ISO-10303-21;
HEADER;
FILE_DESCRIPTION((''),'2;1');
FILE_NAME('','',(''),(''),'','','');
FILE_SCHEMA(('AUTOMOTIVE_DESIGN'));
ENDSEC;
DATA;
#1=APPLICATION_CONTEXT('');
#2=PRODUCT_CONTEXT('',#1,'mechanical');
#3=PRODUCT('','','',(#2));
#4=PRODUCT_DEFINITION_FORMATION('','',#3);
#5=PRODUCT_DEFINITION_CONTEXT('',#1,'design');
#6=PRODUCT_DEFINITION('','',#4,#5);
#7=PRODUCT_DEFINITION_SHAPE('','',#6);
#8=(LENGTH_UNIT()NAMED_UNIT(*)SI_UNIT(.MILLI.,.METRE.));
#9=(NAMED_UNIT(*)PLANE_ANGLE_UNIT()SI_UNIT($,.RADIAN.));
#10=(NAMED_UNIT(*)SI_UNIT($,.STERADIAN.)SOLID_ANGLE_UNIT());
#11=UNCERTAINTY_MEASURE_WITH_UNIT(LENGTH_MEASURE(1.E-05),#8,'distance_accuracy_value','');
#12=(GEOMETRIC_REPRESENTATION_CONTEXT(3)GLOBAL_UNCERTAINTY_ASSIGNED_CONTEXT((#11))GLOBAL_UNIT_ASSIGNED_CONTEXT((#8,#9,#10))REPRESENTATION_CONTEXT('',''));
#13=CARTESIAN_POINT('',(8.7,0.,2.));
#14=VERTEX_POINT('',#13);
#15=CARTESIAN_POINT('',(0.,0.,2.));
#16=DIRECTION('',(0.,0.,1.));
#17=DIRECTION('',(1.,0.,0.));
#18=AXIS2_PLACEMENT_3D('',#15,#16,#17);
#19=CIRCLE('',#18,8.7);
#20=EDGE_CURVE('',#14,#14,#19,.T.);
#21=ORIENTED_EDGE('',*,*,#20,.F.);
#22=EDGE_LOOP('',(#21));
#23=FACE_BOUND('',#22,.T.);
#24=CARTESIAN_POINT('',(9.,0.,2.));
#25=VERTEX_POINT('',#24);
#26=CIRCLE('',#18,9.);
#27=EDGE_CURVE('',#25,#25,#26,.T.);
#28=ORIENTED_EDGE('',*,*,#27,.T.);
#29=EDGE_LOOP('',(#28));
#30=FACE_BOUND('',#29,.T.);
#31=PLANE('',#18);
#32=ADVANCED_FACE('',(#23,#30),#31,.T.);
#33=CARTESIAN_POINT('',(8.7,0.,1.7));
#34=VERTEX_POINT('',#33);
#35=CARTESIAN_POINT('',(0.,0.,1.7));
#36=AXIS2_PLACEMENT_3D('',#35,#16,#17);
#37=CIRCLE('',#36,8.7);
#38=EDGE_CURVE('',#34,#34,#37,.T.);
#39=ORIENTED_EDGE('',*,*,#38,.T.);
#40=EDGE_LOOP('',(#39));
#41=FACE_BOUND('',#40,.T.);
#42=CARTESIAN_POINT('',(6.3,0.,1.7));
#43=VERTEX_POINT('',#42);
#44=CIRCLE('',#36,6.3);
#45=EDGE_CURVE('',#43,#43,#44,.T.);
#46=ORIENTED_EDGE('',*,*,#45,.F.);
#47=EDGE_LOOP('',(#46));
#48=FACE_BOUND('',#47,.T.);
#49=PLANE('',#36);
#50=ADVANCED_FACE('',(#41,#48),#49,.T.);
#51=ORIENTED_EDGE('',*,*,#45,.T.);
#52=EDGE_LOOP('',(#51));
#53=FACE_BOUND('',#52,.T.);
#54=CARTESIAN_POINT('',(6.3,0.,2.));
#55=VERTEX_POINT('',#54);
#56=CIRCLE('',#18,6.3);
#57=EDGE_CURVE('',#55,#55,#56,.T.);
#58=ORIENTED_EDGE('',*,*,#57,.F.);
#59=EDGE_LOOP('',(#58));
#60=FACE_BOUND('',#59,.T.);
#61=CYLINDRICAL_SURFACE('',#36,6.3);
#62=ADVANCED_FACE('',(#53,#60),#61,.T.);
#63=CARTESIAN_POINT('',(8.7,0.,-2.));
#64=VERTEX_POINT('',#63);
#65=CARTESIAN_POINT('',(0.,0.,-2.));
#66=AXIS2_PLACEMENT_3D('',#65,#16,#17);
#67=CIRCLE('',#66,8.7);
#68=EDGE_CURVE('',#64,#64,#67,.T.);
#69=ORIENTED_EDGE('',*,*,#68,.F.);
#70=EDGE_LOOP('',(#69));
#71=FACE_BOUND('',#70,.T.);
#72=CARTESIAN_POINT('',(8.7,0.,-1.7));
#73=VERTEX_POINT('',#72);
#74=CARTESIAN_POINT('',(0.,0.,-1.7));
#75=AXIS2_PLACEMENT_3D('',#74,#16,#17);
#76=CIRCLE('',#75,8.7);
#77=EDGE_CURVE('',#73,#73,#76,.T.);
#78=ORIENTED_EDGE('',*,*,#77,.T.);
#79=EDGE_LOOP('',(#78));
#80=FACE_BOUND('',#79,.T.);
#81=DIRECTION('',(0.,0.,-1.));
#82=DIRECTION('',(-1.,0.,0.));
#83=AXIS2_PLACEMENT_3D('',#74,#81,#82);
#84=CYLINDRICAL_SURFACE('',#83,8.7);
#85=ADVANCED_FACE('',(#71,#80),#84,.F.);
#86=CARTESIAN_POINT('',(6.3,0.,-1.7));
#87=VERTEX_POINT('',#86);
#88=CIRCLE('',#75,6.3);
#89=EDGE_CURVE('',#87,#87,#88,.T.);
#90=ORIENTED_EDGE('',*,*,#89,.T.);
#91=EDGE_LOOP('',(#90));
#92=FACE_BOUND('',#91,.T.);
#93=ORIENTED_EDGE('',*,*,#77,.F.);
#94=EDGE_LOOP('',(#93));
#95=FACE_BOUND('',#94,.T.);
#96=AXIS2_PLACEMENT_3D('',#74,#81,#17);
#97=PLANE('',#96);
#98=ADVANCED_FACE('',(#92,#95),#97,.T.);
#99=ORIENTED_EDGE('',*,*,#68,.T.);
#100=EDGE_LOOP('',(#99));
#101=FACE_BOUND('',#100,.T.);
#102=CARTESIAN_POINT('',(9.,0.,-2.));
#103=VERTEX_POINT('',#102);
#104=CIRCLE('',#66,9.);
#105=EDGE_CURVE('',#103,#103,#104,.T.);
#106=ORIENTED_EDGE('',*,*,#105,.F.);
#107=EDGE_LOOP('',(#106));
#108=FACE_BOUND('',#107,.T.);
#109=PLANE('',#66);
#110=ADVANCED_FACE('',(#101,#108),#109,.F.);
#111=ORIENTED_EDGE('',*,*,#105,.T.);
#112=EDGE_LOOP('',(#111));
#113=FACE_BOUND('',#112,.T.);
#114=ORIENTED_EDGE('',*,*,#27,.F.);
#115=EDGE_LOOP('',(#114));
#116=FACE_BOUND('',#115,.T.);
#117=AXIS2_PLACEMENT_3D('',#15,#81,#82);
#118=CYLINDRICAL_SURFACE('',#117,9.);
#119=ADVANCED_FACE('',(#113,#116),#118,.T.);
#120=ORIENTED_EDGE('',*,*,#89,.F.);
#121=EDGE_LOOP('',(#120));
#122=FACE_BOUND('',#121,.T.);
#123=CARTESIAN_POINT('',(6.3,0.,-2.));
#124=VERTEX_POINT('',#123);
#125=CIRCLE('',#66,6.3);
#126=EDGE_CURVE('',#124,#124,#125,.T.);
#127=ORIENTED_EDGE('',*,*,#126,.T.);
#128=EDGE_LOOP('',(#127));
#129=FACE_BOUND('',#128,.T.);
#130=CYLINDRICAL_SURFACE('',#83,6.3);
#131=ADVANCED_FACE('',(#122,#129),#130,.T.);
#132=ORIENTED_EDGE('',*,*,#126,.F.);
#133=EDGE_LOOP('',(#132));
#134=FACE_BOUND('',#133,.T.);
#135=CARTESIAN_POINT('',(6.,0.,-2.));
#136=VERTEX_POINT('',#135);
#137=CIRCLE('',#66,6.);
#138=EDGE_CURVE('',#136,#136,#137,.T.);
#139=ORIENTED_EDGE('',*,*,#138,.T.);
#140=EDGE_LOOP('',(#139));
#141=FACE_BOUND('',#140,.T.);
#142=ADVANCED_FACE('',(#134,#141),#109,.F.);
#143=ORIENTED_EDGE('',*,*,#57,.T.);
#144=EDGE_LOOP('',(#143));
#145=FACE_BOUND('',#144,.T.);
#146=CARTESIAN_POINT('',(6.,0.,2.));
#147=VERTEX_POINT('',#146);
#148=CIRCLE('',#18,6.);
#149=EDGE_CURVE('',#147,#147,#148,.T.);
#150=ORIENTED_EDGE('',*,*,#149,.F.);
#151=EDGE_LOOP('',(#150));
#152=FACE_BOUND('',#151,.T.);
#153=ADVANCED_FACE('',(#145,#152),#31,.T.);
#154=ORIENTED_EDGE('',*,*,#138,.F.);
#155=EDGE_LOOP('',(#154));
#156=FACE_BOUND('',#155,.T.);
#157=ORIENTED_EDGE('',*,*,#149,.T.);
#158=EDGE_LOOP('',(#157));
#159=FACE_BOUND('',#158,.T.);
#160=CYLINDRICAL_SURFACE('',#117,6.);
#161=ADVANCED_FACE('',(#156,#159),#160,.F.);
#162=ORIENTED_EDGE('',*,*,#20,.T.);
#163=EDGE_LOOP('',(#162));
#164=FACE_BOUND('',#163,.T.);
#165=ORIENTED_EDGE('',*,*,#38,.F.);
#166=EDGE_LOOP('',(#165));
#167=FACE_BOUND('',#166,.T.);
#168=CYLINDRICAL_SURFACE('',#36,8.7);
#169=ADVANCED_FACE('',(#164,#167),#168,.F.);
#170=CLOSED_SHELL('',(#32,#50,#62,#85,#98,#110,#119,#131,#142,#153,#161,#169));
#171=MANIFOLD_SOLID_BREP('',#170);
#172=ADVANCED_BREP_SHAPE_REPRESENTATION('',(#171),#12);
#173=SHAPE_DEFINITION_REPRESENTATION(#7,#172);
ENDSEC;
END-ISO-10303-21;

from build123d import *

# Parameters (mm, degrees)
SKETCH_1_R          = 9
SKETCH_1_R_2        = 6
EXTRUDE_1_DEPTH     = 2
SKETCH_2_R          = 8.7
SKETCH_2_R_2        = 6.3
CUT_EXTRUDE_1_DEPTH = 0.3


with BuildPart() as part:
    # 草图1 → 凸台-拉伸1 (new, symmetric)
    with BuildSketch(Plane.XY):
        Circle(SKETCH_1_R)
        Circle(SKETCH_1_R_2, mode=Mode.SUBTRACT)
    extrude(amount=EXTRUDE_1_DEPTH, both=True)

    # 草图2 → 切除-拉伸1 (cut)
    with BuildSketch(Plane.XY.offset(2)):
        Circle(SKETCH_2_R)
        Circle(SKETCH_2_R_2, mode=Mode.SUBTRACT)
    cut_extrude_1 = extrude(amount=-CUT_EXTRUDE_1_DEPTH, mode=Mode.SUBTRACT)

    # 镜向1: 切除-拉伸1 across plane
    add(cut_extrude_1.mirror(Plane.XY), mode=Mode.SUBTRACT)


solid = part.part
